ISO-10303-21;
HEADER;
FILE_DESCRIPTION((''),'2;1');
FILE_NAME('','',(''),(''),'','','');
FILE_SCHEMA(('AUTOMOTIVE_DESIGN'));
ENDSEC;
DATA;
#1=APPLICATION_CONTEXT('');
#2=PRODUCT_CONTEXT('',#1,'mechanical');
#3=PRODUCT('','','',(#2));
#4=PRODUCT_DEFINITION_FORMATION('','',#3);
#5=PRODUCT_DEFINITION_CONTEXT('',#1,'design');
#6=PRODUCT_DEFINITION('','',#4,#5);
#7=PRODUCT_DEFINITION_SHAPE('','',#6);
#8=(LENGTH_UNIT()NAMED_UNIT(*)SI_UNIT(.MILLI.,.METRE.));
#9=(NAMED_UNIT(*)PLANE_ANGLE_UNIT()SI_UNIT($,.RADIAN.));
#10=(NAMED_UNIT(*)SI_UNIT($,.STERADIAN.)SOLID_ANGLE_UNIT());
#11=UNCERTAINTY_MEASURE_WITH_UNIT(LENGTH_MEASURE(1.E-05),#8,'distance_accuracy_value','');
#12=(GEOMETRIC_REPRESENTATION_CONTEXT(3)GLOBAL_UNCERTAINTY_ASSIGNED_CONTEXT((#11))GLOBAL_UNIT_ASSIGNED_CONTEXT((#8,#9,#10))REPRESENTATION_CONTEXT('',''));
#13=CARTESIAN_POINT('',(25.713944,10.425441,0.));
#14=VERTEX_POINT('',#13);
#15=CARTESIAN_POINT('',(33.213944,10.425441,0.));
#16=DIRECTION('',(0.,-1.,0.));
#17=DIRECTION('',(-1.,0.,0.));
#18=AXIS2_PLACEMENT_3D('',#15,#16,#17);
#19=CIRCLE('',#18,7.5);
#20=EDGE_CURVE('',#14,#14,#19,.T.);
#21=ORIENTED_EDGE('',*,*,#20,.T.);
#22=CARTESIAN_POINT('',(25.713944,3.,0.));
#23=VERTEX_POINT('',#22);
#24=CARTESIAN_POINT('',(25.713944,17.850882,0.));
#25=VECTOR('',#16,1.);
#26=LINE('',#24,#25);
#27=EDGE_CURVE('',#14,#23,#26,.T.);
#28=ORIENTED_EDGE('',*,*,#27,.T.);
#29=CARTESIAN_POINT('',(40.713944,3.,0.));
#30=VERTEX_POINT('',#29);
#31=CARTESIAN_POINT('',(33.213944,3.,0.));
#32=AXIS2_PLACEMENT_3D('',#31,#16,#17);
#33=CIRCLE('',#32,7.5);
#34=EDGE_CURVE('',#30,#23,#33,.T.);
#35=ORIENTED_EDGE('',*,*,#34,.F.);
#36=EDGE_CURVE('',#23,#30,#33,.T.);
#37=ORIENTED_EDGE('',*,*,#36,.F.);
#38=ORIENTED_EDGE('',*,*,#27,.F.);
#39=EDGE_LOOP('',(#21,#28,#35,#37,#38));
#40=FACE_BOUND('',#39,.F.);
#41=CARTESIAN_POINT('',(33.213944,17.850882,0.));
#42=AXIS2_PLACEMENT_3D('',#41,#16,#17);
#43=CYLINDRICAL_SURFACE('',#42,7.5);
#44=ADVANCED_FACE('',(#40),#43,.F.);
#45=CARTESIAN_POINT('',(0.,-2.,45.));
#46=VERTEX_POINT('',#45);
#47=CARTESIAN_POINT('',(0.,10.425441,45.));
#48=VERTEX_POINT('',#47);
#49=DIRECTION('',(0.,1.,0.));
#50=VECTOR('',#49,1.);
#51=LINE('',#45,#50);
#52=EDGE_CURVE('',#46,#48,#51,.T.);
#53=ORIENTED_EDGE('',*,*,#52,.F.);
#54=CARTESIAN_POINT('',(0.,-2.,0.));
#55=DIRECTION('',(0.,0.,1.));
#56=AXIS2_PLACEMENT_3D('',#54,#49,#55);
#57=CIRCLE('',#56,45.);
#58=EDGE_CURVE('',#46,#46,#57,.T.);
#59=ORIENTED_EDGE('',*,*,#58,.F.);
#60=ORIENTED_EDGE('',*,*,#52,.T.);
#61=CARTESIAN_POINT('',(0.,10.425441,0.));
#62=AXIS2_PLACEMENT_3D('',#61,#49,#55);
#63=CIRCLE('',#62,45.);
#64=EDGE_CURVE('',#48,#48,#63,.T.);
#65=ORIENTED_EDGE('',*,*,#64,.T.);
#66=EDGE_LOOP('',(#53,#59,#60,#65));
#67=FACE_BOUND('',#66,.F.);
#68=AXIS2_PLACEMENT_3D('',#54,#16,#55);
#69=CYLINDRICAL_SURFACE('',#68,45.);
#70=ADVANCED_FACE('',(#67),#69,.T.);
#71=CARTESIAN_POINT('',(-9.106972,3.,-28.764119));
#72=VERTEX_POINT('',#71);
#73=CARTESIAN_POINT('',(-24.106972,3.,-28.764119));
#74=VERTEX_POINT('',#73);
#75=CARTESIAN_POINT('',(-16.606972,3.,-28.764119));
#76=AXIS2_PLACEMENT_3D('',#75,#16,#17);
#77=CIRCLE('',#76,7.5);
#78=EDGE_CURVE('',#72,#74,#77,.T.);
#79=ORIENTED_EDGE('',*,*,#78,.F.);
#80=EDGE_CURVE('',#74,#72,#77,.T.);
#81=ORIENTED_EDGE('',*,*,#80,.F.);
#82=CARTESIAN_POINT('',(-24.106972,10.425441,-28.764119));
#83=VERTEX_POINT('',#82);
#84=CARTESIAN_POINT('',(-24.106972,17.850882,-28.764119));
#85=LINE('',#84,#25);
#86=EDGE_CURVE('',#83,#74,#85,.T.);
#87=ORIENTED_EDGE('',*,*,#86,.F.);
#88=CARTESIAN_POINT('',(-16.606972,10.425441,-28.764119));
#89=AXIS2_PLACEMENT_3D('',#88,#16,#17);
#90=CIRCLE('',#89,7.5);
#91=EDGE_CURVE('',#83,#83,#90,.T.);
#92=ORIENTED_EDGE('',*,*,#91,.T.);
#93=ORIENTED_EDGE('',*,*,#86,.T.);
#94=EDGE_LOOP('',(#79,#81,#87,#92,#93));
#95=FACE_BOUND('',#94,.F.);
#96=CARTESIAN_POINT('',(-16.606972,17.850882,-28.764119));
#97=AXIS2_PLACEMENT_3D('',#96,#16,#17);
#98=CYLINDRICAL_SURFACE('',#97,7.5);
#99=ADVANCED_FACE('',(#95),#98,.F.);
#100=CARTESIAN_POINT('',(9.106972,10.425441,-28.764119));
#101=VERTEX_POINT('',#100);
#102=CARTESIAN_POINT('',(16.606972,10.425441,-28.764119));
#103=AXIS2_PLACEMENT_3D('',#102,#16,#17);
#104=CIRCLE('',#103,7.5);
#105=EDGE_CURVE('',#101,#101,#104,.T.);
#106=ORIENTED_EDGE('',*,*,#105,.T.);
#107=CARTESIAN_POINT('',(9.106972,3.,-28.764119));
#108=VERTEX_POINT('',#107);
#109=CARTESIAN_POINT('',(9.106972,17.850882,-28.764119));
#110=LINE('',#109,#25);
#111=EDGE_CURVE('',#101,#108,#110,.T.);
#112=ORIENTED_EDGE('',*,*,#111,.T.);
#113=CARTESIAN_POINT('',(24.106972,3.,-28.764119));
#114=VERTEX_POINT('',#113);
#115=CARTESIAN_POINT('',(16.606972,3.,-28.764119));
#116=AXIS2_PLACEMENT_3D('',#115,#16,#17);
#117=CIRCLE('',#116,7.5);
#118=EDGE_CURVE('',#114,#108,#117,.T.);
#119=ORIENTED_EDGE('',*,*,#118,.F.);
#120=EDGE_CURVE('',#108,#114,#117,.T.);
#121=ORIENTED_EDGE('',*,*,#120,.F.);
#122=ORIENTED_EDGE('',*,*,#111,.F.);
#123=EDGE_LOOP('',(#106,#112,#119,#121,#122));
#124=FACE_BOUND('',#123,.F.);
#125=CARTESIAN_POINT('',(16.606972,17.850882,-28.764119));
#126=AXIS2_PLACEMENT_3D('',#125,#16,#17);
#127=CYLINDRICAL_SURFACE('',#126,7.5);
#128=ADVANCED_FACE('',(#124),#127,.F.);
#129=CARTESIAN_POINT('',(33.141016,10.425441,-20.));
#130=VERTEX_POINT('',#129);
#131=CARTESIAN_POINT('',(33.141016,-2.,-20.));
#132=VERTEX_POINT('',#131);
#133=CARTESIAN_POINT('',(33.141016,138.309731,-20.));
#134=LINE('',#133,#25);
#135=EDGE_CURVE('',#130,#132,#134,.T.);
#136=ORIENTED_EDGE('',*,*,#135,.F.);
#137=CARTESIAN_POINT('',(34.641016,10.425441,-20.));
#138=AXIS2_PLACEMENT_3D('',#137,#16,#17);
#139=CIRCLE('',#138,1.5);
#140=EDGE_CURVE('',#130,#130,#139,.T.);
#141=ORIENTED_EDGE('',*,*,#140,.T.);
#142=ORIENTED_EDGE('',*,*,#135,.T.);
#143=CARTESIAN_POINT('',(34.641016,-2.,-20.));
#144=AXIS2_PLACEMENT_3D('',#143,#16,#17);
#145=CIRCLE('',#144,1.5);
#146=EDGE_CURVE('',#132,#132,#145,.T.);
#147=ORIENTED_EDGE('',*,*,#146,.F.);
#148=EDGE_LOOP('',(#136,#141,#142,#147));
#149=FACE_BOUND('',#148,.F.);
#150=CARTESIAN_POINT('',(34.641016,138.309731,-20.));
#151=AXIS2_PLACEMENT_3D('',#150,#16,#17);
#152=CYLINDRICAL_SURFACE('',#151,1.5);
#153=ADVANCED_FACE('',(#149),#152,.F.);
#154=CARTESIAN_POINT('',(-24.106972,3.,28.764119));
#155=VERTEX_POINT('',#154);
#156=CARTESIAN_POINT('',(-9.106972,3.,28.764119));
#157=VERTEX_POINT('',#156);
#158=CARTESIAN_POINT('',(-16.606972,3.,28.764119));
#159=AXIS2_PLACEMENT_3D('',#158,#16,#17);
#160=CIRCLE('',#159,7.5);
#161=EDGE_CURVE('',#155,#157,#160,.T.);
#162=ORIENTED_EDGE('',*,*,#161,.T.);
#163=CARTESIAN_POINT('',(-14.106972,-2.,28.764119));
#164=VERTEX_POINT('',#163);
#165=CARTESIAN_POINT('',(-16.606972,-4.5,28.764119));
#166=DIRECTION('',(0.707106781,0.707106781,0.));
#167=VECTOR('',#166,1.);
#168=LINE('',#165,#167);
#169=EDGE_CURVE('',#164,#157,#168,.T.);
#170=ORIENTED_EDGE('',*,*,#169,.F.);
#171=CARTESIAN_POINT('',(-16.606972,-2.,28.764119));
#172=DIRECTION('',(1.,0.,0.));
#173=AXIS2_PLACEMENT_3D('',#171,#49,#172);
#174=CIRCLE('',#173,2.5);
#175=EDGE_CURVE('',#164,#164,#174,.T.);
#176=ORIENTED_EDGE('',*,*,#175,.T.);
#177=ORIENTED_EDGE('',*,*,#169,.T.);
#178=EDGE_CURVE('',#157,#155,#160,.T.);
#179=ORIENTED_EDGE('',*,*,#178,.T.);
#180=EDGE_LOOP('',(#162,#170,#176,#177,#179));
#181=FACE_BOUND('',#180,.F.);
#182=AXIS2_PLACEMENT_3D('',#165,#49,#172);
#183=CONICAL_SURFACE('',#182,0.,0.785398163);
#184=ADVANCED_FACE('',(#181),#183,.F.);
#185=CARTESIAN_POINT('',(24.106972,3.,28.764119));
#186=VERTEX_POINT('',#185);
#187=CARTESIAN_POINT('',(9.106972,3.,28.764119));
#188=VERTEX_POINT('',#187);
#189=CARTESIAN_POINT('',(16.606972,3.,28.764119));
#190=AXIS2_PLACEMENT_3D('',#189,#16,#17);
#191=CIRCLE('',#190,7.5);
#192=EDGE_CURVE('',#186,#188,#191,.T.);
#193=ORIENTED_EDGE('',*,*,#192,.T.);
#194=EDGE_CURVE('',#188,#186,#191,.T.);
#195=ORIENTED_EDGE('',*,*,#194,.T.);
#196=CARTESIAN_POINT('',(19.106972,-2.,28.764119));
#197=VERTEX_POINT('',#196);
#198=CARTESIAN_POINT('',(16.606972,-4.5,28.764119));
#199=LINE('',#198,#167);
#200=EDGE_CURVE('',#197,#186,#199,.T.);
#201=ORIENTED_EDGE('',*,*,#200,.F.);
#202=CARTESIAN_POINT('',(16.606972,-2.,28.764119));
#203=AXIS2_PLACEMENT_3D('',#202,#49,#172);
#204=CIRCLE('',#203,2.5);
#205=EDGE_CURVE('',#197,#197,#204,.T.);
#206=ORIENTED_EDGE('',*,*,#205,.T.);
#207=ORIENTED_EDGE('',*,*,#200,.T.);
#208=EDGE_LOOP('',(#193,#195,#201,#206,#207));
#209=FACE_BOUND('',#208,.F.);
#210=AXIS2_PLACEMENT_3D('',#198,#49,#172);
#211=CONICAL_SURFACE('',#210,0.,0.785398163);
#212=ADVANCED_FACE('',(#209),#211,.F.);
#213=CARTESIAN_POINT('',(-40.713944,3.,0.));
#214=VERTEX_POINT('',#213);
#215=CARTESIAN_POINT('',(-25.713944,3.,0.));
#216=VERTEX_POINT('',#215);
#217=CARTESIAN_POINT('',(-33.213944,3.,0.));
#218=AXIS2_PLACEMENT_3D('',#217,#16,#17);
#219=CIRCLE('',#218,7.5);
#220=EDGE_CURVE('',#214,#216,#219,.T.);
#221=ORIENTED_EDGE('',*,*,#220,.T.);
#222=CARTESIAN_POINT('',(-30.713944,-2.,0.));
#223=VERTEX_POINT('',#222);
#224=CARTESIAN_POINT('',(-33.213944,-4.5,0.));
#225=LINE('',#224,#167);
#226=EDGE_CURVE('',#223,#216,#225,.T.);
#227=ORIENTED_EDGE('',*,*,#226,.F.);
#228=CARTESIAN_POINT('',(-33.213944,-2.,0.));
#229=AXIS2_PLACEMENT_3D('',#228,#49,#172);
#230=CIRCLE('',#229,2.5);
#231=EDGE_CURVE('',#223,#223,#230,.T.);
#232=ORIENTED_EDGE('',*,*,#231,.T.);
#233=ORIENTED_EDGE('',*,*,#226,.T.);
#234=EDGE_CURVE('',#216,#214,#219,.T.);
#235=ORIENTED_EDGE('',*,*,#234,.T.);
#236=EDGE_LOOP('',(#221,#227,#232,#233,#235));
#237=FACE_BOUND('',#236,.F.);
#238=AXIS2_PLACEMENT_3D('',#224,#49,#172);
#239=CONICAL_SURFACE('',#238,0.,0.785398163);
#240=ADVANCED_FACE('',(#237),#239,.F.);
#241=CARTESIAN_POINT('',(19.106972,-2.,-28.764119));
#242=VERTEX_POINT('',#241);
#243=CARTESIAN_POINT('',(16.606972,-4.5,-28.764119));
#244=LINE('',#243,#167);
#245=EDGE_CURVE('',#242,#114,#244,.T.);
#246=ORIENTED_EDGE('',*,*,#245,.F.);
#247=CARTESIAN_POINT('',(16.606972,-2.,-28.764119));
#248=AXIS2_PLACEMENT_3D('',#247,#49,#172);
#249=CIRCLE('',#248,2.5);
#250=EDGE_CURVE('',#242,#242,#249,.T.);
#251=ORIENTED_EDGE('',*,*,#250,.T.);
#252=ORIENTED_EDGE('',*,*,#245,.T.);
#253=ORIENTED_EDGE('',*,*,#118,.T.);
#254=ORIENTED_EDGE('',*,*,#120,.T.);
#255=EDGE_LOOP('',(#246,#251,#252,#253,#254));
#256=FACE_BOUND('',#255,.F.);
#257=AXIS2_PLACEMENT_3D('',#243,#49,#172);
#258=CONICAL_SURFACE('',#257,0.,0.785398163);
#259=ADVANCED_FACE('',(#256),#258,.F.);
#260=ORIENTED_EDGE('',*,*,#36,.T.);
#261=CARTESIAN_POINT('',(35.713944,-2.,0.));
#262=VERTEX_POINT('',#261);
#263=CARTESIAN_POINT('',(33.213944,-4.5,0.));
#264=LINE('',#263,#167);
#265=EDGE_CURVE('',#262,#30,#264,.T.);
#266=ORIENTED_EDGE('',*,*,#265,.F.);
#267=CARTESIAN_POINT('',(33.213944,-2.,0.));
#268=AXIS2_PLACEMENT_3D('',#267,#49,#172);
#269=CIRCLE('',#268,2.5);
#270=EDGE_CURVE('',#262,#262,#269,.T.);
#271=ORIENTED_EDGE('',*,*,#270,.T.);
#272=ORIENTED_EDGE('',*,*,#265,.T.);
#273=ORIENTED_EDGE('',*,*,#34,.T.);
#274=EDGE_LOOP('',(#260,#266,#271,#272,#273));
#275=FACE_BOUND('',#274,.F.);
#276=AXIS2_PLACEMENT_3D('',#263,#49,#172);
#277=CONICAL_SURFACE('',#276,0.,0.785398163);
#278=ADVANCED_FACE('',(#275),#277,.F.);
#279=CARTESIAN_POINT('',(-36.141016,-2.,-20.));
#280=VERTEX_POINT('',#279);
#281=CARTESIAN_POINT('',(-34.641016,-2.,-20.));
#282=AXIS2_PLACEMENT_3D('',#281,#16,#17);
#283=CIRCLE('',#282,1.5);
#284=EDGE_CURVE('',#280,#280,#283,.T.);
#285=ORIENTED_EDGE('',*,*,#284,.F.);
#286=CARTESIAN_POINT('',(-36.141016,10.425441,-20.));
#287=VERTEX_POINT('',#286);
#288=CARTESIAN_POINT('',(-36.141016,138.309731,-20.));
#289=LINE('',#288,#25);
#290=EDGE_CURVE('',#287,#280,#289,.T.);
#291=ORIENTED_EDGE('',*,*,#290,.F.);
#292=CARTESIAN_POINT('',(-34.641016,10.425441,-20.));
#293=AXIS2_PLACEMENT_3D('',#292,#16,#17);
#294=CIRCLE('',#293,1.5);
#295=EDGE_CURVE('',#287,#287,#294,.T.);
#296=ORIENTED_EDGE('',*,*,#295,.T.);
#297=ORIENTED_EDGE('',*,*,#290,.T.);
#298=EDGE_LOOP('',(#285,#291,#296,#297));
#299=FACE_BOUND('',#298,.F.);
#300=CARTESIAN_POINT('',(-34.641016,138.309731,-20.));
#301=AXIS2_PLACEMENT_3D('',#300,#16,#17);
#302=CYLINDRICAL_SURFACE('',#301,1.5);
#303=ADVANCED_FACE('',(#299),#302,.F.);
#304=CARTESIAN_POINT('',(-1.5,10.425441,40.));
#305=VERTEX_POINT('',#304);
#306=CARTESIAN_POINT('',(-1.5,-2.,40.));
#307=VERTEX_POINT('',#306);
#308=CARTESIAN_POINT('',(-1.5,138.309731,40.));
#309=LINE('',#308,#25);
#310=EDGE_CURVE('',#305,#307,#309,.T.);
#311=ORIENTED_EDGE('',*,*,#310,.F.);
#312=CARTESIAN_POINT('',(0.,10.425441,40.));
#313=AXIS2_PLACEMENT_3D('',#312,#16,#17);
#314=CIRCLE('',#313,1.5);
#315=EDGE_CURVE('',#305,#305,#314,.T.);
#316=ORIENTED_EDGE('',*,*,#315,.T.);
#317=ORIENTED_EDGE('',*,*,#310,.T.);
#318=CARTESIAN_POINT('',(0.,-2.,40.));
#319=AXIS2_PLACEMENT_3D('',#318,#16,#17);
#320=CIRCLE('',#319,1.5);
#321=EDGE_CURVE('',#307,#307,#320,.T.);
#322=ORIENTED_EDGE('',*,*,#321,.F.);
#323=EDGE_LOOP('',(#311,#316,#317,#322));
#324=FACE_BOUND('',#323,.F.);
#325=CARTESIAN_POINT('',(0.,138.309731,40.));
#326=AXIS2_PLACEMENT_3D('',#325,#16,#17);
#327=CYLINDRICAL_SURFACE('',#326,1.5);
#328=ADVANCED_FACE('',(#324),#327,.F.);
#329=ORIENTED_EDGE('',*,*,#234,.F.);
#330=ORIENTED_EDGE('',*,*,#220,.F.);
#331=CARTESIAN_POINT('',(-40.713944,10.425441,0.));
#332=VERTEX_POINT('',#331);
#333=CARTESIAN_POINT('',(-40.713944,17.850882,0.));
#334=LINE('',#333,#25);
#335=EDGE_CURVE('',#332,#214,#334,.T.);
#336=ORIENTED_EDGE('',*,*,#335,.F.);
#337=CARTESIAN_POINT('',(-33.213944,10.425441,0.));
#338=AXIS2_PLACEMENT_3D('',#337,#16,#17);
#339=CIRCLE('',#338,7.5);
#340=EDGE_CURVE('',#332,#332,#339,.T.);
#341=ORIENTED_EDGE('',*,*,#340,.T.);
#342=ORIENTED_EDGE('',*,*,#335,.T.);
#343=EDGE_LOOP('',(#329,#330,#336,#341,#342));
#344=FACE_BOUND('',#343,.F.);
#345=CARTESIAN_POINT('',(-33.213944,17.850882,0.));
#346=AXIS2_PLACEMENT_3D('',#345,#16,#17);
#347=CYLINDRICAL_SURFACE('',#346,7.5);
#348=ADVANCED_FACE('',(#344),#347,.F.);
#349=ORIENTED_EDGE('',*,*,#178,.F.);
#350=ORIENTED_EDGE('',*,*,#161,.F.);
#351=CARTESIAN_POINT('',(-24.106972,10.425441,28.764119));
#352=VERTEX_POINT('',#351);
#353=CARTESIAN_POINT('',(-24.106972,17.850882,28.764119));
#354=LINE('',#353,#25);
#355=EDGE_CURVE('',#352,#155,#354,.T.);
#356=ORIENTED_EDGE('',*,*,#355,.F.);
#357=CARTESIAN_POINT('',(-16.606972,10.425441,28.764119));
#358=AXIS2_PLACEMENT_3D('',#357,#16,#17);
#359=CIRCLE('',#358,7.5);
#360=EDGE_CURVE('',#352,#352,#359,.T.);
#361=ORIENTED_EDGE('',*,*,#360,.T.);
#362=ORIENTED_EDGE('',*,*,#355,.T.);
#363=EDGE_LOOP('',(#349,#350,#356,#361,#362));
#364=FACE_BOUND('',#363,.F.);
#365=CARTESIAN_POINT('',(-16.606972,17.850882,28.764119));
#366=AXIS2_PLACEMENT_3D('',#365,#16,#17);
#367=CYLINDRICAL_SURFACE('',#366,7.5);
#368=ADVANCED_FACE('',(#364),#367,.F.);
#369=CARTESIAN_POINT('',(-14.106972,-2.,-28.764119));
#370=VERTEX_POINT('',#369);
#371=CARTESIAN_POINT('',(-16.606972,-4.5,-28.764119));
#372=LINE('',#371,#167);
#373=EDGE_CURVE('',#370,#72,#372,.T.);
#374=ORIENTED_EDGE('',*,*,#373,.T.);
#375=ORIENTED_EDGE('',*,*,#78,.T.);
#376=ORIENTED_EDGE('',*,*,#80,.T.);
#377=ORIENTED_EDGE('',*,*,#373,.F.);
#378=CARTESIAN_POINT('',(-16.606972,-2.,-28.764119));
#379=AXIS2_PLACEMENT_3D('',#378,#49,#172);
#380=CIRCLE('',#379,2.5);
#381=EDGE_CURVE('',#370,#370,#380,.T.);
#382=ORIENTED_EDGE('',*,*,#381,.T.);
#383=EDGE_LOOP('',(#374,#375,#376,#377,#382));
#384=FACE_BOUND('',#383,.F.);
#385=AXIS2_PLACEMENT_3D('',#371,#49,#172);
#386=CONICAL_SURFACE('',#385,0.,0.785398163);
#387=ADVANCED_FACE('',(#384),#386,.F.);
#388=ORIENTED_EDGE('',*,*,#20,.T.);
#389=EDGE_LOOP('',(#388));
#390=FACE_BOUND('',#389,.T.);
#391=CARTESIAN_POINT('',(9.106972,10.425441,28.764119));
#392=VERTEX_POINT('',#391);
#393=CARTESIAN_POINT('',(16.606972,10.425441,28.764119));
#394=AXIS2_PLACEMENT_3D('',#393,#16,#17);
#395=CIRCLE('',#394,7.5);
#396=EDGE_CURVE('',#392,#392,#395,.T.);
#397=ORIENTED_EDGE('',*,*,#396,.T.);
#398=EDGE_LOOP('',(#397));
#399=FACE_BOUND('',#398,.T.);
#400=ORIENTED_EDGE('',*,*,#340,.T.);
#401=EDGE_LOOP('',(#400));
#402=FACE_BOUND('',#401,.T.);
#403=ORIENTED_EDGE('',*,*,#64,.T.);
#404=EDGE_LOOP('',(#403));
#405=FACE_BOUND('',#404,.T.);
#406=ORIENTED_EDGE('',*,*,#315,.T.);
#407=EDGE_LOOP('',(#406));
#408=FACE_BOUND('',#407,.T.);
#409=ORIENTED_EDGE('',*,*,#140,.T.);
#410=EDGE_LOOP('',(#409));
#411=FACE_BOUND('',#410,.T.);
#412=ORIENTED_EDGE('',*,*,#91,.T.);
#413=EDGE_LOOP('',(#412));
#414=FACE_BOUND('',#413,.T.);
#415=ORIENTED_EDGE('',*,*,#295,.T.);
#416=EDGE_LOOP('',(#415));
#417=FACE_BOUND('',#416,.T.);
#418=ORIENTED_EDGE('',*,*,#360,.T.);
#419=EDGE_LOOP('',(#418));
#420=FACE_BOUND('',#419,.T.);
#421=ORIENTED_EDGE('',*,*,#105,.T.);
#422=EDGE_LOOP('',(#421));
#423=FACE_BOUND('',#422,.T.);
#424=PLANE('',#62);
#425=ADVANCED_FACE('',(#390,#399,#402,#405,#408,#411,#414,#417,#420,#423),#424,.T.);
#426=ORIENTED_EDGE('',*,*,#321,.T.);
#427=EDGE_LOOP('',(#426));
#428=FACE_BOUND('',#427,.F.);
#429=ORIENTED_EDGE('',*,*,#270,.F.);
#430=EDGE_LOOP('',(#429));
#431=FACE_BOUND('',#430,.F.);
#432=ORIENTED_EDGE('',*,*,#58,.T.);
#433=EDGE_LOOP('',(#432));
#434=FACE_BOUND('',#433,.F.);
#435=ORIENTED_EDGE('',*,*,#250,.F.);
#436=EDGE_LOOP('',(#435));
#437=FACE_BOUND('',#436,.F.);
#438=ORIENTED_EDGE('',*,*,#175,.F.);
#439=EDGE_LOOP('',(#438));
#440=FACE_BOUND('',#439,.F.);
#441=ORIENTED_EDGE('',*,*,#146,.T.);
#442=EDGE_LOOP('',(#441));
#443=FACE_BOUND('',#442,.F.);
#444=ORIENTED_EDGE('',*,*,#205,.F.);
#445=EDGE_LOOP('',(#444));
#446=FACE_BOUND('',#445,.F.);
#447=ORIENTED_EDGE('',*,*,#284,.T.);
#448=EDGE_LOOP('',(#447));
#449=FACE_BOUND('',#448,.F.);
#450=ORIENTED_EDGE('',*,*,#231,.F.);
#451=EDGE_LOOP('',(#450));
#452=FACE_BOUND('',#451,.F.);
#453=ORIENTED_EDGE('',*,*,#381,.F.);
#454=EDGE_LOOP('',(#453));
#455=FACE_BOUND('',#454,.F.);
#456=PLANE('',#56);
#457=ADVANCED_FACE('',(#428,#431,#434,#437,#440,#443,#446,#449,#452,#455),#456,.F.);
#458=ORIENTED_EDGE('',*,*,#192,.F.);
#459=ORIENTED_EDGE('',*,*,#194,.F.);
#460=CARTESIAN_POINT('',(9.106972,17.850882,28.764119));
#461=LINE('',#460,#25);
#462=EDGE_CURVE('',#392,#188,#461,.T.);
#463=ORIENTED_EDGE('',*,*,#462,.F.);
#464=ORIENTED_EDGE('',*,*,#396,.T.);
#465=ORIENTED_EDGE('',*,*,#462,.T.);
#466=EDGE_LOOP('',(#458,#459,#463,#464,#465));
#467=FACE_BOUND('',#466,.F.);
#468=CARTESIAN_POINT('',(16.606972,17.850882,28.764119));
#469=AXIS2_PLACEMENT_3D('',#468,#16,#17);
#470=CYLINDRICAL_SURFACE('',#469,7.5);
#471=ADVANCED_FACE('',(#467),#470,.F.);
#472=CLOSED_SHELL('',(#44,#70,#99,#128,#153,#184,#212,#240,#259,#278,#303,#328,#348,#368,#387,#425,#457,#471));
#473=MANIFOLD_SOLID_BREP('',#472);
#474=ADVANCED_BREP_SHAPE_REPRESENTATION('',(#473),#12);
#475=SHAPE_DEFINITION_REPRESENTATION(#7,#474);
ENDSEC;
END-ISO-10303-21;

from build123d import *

# Parameters (mm, degrees)
BOSS_EXTRUDE1_DEPTH       = 10.425440853
BOSS_EXTRUDE1_DEPTH_BACK  = 2
SKETCH1_R                 = 45
F_8_0MM_DOWEL_HOLE1_D     = 15
F_8_0MM_DOWEL_HOLE1_DEPTH = 7.425440853
F_8_0MM_DOWEL_HOLE1_TIP   = 7.5
F_3_0_3_DIAMETER_HOLE1_D  = 3


with BuildPart() as part:
    # Sketch1 → Boss-Extrude1 (new, two sides: drawn at the far end of the back side and taken through both)
    with BuildSketch(Plane(origin=(0, 0, 0), x_dir=(1, 0, 0), z_dir=(0, 1, 0)).offset(-BOSS_EXTRUDE1_DEPTH_BACK)):
        with Locations(Location((0, 0, 0), (0, 0, 270))):
            Circle(SKETCH1_R)
    extrude(amount=BOSS_EXTRUDE1_DEPTH + BOSS_EXTRUDE1_DEPTH_BACK)

    # Ø8.0mm Dowel Hole1
    with Locations(Plane(origin=(0, 10.425440853, 0), x_dir=(1, 0, 0), z_dir=(0, 1, 0))):
        with Locations((-16.606971943, 28.764119165), (-16.606971943, -28.764119165), (33.213943886, 0), (16.606971943, 28.764119165), (16.606971943, -28.764119165), (-33.213943886, 0)):
            Hole(F_8_0MM_DOWEL_HOLE1_D / 2, depth=F_8_0MM_DOWEL_HOLE1_DEPTH)
            with Locations((0, 0, -(F_8_0MM_DOWEL_HOLE1_DEPTH + F_8_0MM_DOWEL_HOLE1_TIP / 2))):  # 90° drill point
                Cone(0, F_8_0MM_DOWEL_HOLE1_D / 2, F_8_0MM_DOWEL_HOLE1_TIP, mode=Mode.SUBTRACT)

    # Ø3.0 (3) Diameter Hole1 (through all)
    with Locations(Plane(origin=(0, 10.425440853, 0), x_dir=(1, 0, 0), z_dir=(0, 1, 0))):
        with Locations((-34.641016151, 20), (0, -40), (34.641016151, 20)):
            Hole(F_3_0_3_DIAMETER_HOLE1_D / 2)


solid = part.part
